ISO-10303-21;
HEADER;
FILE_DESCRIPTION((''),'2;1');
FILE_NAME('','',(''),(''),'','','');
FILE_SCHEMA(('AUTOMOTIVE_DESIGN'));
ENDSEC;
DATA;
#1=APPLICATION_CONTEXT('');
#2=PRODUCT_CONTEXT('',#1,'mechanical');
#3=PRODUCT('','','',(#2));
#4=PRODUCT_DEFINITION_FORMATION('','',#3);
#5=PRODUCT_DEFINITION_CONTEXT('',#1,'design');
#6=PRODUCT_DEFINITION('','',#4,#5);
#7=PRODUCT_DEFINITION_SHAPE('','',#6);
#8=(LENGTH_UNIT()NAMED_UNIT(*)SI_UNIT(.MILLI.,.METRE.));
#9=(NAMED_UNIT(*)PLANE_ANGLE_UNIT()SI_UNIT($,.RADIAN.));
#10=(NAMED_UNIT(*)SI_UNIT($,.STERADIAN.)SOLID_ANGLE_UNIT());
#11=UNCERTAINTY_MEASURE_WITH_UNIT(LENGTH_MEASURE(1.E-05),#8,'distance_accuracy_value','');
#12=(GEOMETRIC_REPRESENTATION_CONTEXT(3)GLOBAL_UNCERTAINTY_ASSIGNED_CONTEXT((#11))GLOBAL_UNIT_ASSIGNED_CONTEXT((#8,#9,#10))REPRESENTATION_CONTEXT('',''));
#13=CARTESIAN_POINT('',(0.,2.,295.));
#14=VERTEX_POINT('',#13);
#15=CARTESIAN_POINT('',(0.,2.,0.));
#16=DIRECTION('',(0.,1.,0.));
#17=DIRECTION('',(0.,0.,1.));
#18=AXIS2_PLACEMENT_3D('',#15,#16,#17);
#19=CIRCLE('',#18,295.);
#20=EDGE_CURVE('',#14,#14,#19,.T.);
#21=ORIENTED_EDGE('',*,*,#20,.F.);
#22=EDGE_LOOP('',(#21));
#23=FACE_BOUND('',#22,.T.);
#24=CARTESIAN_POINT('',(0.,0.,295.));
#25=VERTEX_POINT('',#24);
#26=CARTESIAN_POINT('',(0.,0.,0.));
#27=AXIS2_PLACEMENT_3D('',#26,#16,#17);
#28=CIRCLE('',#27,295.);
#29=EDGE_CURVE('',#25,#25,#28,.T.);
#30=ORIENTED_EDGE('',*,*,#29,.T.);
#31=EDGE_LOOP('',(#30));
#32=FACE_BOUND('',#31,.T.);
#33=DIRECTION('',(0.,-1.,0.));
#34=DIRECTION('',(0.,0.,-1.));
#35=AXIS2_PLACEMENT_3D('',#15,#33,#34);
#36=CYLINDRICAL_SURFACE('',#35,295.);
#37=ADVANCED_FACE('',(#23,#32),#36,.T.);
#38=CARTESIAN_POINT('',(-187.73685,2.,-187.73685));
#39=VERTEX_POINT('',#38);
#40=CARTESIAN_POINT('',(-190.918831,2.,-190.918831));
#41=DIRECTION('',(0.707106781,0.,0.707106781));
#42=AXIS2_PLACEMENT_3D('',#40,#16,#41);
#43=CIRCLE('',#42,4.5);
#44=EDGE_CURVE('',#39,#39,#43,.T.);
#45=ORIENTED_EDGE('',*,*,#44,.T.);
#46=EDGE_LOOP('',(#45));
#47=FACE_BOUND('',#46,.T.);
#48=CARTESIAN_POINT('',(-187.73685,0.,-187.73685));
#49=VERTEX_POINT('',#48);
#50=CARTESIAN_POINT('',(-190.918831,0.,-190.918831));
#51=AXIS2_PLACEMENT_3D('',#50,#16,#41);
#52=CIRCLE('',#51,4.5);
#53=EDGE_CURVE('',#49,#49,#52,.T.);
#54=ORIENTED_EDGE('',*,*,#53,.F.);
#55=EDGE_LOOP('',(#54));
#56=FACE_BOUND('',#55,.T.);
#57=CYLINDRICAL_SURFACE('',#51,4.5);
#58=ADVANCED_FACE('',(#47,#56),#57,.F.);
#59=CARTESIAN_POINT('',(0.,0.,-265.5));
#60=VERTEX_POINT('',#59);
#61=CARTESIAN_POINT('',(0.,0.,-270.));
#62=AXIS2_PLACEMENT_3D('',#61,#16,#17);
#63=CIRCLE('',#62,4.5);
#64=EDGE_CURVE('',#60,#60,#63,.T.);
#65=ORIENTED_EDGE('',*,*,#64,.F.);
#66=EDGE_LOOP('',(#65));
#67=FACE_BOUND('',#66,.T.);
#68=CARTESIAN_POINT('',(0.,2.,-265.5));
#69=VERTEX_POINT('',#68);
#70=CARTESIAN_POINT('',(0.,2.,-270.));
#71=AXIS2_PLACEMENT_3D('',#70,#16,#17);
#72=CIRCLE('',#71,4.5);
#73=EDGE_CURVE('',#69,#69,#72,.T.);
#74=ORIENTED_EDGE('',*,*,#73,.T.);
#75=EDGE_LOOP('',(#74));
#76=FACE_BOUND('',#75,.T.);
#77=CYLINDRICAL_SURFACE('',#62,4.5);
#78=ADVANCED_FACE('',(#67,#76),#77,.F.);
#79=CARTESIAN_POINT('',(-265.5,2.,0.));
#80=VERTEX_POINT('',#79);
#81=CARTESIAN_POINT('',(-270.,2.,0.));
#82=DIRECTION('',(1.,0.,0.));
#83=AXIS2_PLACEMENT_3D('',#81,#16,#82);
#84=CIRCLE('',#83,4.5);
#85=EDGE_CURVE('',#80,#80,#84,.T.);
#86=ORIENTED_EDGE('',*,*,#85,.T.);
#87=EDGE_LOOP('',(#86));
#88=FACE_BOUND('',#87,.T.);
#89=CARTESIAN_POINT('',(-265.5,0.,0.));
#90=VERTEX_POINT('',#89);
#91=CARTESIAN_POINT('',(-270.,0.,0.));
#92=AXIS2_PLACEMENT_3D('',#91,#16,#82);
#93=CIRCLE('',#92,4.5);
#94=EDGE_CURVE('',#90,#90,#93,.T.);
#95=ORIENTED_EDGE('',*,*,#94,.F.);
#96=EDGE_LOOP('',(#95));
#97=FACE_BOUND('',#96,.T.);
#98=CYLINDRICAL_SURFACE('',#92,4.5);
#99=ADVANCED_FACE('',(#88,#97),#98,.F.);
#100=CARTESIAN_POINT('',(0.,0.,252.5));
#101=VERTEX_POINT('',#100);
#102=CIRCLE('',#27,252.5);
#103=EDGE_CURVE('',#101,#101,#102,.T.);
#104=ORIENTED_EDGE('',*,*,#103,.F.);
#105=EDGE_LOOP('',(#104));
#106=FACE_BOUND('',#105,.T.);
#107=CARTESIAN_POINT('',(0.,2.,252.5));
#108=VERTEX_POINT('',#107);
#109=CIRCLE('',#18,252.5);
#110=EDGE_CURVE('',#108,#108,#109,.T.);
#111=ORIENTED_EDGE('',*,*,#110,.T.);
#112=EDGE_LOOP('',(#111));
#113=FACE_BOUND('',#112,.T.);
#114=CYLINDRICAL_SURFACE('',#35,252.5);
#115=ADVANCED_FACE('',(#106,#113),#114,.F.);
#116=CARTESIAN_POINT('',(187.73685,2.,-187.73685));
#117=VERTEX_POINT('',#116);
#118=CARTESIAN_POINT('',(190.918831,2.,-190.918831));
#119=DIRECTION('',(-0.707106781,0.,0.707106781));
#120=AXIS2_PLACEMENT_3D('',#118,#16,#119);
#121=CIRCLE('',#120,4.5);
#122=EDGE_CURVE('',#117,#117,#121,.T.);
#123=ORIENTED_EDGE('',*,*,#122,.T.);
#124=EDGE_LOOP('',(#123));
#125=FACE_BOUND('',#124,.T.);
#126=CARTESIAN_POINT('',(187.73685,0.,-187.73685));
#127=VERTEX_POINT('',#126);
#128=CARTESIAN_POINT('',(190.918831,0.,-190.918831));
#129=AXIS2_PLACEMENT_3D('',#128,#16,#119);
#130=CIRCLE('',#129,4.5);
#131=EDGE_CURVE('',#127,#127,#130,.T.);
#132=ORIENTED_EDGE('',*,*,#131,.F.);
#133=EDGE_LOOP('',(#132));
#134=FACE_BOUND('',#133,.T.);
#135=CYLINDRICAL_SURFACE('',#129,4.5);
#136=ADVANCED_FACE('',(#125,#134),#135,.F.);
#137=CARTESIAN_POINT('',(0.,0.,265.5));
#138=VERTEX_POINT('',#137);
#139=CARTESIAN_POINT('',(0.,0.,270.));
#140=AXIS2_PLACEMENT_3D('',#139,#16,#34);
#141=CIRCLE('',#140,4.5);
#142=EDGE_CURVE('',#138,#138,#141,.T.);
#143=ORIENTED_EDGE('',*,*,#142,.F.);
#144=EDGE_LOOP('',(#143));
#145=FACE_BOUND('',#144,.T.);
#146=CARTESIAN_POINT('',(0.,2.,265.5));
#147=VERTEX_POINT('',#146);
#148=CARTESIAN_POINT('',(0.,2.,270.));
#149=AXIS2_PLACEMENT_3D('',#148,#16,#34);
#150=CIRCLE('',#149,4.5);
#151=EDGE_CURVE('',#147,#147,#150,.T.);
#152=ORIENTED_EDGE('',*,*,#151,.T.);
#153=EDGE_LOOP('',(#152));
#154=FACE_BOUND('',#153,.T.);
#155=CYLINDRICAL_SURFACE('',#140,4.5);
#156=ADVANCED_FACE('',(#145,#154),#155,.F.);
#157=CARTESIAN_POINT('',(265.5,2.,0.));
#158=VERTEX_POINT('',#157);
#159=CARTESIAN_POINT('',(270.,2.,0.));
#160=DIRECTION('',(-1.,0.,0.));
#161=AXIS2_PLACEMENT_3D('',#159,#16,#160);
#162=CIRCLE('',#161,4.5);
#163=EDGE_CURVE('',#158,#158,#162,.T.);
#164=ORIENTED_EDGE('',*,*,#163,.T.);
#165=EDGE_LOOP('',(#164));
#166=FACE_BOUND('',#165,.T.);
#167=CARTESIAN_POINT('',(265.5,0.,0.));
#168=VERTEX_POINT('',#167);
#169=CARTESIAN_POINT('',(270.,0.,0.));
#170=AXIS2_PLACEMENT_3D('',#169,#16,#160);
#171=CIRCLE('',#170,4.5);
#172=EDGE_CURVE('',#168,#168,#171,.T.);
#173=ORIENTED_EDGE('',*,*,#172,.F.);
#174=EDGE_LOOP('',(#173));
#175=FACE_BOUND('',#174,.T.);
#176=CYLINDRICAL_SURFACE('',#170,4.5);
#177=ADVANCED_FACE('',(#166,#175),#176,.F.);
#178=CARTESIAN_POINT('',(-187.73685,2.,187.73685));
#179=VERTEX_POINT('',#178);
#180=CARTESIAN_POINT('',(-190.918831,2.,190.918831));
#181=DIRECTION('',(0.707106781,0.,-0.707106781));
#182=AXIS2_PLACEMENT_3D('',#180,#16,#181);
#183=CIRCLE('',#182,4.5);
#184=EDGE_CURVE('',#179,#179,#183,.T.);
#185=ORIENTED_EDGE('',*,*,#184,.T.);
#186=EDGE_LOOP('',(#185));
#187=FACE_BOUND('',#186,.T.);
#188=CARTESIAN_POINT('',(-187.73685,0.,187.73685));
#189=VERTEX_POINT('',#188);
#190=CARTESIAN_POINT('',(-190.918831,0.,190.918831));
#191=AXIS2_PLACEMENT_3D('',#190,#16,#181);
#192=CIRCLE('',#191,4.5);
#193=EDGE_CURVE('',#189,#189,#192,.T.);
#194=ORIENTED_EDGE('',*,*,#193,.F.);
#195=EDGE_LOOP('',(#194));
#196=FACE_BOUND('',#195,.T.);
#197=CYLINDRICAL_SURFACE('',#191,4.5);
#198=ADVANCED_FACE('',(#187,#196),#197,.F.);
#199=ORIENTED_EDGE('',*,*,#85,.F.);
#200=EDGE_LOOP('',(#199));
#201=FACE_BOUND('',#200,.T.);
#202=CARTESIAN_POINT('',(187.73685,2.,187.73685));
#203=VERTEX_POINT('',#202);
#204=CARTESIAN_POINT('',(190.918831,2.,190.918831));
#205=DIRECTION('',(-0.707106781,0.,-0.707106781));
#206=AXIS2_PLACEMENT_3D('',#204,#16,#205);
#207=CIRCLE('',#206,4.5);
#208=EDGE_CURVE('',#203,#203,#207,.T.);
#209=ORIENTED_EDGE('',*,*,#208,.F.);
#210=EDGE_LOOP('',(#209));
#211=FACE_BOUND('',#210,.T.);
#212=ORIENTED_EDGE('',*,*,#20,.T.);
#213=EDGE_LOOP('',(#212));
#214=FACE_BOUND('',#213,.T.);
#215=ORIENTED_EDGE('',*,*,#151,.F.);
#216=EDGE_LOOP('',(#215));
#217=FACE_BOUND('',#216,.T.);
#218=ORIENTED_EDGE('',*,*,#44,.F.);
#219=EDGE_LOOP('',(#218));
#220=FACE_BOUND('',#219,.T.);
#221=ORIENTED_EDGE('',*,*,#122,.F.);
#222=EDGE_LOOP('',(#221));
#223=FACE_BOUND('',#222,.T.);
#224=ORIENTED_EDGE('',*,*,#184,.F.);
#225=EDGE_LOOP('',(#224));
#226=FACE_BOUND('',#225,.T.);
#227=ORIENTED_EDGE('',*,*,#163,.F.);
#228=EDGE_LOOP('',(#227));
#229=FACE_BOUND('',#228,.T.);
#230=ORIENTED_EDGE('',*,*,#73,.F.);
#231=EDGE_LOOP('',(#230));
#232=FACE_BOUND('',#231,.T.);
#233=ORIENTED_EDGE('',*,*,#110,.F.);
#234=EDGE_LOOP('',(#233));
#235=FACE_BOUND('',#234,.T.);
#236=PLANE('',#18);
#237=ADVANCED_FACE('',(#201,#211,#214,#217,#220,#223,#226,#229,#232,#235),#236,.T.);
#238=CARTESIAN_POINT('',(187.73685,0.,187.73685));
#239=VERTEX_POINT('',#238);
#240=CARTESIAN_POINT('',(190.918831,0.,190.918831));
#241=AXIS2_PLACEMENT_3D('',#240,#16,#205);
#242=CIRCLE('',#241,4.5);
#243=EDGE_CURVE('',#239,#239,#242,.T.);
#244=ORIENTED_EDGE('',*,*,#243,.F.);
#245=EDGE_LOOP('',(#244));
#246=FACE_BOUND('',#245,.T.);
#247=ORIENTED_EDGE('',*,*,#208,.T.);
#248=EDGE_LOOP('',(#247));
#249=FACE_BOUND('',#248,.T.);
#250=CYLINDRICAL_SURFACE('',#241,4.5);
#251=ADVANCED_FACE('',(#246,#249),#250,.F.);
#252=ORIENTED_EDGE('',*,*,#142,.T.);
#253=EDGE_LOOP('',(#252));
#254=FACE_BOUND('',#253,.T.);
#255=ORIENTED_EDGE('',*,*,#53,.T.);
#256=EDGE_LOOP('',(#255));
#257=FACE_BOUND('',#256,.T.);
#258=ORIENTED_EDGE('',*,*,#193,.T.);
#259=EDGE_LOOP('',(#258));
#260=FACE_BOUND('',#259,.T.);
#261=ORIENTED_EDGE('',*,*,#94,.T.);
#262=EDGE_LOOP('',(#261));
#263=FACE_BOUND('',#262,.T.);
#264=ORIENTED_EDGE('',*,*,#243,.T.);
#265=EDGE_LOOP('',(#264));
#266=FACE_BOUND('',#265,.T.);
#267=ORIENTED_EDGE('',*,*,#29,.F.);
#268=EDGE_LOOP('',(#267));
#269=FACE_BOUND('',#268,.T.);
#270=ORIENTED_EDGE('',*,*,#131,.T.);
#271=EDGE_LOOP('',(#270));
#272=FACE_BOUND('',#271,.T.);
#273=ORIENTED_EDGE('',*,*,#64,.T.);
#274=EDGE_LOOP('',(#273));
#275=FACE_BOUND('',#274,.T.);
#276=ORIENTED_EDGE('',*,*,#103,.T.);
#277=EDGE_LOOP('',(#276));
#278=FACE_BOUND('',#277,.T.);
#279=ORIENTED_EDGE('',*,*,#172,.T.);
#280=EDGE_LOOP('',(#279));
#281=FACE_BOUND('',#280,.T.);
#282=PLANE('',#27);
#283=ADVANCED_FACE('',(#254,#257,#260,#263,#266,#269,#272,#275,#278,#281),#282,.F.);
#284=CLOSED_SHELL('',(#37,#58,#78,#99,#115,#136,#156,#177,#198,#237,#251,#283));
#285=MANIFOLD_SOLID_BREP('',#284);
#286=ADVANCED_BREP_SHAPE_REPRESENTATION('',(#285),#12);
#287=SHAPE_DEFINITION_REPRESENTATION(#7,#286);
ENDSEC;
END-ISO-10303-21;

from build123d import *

# Parameters (mm, degrees)
SKETCH1_R           = 295
SKETCH1_R_2         = 252.5
BOSS_EXTRUDE1_DEPTH = 2
SKETCH2_R           = 4.5
CUT_EXTRUDE1_DEPTH  = 2
CIRPATTERN1_COUNT   = 8


with BuildPart() as part:
    # Sketch1 → Boss-Extrude1 (new body)
    with BuildSketch(Plane(origin=(0, 0, 0), x_dir=(1, 0, 0), z_dir=(0, 1, 0))):
        with Locations(Location((0, 0, 0), (0, 0, 270))):
            Circle(SKETCH1_R)
        with Locations(Location((0, 0, 0), (0, 0, 270))):
            Circle(SKETCH1_R_2, mode=Mode.SUBTRACT)
    extrude(amount=BOSS_EXTRUDE1_DEPTH)

    # Sketch2 → Cut-Extrude1 (cut)
    with BuildSketch(Plane(origin=(0, 2, 0), x_dir=(1, 0, 0), z_dir=(0, 1, 0))):
        with Locations(Location((0, 270, 0), (0, 0, 270))):
            Circle(SKETCH2_R)
    cut_extrude1 = extrude(amount=-CUT_EXTRUDE1_DEPTH, mode=Mode.SUBTRACT)

    # CirPattern1: Cut-Extrude1 ×8 about axis
    cirpattern1_axis = Axis((0, 0, 0), (0, 1, 0))
    for i in range(1, CIRPATTERN1_COUNT):
        add(cut_extrude1.rotate(cirpattern1_axis, i * 360 / CIRPATTERN1_COUNT), mode=Mode.SUBTRACT)


solid = part.part
